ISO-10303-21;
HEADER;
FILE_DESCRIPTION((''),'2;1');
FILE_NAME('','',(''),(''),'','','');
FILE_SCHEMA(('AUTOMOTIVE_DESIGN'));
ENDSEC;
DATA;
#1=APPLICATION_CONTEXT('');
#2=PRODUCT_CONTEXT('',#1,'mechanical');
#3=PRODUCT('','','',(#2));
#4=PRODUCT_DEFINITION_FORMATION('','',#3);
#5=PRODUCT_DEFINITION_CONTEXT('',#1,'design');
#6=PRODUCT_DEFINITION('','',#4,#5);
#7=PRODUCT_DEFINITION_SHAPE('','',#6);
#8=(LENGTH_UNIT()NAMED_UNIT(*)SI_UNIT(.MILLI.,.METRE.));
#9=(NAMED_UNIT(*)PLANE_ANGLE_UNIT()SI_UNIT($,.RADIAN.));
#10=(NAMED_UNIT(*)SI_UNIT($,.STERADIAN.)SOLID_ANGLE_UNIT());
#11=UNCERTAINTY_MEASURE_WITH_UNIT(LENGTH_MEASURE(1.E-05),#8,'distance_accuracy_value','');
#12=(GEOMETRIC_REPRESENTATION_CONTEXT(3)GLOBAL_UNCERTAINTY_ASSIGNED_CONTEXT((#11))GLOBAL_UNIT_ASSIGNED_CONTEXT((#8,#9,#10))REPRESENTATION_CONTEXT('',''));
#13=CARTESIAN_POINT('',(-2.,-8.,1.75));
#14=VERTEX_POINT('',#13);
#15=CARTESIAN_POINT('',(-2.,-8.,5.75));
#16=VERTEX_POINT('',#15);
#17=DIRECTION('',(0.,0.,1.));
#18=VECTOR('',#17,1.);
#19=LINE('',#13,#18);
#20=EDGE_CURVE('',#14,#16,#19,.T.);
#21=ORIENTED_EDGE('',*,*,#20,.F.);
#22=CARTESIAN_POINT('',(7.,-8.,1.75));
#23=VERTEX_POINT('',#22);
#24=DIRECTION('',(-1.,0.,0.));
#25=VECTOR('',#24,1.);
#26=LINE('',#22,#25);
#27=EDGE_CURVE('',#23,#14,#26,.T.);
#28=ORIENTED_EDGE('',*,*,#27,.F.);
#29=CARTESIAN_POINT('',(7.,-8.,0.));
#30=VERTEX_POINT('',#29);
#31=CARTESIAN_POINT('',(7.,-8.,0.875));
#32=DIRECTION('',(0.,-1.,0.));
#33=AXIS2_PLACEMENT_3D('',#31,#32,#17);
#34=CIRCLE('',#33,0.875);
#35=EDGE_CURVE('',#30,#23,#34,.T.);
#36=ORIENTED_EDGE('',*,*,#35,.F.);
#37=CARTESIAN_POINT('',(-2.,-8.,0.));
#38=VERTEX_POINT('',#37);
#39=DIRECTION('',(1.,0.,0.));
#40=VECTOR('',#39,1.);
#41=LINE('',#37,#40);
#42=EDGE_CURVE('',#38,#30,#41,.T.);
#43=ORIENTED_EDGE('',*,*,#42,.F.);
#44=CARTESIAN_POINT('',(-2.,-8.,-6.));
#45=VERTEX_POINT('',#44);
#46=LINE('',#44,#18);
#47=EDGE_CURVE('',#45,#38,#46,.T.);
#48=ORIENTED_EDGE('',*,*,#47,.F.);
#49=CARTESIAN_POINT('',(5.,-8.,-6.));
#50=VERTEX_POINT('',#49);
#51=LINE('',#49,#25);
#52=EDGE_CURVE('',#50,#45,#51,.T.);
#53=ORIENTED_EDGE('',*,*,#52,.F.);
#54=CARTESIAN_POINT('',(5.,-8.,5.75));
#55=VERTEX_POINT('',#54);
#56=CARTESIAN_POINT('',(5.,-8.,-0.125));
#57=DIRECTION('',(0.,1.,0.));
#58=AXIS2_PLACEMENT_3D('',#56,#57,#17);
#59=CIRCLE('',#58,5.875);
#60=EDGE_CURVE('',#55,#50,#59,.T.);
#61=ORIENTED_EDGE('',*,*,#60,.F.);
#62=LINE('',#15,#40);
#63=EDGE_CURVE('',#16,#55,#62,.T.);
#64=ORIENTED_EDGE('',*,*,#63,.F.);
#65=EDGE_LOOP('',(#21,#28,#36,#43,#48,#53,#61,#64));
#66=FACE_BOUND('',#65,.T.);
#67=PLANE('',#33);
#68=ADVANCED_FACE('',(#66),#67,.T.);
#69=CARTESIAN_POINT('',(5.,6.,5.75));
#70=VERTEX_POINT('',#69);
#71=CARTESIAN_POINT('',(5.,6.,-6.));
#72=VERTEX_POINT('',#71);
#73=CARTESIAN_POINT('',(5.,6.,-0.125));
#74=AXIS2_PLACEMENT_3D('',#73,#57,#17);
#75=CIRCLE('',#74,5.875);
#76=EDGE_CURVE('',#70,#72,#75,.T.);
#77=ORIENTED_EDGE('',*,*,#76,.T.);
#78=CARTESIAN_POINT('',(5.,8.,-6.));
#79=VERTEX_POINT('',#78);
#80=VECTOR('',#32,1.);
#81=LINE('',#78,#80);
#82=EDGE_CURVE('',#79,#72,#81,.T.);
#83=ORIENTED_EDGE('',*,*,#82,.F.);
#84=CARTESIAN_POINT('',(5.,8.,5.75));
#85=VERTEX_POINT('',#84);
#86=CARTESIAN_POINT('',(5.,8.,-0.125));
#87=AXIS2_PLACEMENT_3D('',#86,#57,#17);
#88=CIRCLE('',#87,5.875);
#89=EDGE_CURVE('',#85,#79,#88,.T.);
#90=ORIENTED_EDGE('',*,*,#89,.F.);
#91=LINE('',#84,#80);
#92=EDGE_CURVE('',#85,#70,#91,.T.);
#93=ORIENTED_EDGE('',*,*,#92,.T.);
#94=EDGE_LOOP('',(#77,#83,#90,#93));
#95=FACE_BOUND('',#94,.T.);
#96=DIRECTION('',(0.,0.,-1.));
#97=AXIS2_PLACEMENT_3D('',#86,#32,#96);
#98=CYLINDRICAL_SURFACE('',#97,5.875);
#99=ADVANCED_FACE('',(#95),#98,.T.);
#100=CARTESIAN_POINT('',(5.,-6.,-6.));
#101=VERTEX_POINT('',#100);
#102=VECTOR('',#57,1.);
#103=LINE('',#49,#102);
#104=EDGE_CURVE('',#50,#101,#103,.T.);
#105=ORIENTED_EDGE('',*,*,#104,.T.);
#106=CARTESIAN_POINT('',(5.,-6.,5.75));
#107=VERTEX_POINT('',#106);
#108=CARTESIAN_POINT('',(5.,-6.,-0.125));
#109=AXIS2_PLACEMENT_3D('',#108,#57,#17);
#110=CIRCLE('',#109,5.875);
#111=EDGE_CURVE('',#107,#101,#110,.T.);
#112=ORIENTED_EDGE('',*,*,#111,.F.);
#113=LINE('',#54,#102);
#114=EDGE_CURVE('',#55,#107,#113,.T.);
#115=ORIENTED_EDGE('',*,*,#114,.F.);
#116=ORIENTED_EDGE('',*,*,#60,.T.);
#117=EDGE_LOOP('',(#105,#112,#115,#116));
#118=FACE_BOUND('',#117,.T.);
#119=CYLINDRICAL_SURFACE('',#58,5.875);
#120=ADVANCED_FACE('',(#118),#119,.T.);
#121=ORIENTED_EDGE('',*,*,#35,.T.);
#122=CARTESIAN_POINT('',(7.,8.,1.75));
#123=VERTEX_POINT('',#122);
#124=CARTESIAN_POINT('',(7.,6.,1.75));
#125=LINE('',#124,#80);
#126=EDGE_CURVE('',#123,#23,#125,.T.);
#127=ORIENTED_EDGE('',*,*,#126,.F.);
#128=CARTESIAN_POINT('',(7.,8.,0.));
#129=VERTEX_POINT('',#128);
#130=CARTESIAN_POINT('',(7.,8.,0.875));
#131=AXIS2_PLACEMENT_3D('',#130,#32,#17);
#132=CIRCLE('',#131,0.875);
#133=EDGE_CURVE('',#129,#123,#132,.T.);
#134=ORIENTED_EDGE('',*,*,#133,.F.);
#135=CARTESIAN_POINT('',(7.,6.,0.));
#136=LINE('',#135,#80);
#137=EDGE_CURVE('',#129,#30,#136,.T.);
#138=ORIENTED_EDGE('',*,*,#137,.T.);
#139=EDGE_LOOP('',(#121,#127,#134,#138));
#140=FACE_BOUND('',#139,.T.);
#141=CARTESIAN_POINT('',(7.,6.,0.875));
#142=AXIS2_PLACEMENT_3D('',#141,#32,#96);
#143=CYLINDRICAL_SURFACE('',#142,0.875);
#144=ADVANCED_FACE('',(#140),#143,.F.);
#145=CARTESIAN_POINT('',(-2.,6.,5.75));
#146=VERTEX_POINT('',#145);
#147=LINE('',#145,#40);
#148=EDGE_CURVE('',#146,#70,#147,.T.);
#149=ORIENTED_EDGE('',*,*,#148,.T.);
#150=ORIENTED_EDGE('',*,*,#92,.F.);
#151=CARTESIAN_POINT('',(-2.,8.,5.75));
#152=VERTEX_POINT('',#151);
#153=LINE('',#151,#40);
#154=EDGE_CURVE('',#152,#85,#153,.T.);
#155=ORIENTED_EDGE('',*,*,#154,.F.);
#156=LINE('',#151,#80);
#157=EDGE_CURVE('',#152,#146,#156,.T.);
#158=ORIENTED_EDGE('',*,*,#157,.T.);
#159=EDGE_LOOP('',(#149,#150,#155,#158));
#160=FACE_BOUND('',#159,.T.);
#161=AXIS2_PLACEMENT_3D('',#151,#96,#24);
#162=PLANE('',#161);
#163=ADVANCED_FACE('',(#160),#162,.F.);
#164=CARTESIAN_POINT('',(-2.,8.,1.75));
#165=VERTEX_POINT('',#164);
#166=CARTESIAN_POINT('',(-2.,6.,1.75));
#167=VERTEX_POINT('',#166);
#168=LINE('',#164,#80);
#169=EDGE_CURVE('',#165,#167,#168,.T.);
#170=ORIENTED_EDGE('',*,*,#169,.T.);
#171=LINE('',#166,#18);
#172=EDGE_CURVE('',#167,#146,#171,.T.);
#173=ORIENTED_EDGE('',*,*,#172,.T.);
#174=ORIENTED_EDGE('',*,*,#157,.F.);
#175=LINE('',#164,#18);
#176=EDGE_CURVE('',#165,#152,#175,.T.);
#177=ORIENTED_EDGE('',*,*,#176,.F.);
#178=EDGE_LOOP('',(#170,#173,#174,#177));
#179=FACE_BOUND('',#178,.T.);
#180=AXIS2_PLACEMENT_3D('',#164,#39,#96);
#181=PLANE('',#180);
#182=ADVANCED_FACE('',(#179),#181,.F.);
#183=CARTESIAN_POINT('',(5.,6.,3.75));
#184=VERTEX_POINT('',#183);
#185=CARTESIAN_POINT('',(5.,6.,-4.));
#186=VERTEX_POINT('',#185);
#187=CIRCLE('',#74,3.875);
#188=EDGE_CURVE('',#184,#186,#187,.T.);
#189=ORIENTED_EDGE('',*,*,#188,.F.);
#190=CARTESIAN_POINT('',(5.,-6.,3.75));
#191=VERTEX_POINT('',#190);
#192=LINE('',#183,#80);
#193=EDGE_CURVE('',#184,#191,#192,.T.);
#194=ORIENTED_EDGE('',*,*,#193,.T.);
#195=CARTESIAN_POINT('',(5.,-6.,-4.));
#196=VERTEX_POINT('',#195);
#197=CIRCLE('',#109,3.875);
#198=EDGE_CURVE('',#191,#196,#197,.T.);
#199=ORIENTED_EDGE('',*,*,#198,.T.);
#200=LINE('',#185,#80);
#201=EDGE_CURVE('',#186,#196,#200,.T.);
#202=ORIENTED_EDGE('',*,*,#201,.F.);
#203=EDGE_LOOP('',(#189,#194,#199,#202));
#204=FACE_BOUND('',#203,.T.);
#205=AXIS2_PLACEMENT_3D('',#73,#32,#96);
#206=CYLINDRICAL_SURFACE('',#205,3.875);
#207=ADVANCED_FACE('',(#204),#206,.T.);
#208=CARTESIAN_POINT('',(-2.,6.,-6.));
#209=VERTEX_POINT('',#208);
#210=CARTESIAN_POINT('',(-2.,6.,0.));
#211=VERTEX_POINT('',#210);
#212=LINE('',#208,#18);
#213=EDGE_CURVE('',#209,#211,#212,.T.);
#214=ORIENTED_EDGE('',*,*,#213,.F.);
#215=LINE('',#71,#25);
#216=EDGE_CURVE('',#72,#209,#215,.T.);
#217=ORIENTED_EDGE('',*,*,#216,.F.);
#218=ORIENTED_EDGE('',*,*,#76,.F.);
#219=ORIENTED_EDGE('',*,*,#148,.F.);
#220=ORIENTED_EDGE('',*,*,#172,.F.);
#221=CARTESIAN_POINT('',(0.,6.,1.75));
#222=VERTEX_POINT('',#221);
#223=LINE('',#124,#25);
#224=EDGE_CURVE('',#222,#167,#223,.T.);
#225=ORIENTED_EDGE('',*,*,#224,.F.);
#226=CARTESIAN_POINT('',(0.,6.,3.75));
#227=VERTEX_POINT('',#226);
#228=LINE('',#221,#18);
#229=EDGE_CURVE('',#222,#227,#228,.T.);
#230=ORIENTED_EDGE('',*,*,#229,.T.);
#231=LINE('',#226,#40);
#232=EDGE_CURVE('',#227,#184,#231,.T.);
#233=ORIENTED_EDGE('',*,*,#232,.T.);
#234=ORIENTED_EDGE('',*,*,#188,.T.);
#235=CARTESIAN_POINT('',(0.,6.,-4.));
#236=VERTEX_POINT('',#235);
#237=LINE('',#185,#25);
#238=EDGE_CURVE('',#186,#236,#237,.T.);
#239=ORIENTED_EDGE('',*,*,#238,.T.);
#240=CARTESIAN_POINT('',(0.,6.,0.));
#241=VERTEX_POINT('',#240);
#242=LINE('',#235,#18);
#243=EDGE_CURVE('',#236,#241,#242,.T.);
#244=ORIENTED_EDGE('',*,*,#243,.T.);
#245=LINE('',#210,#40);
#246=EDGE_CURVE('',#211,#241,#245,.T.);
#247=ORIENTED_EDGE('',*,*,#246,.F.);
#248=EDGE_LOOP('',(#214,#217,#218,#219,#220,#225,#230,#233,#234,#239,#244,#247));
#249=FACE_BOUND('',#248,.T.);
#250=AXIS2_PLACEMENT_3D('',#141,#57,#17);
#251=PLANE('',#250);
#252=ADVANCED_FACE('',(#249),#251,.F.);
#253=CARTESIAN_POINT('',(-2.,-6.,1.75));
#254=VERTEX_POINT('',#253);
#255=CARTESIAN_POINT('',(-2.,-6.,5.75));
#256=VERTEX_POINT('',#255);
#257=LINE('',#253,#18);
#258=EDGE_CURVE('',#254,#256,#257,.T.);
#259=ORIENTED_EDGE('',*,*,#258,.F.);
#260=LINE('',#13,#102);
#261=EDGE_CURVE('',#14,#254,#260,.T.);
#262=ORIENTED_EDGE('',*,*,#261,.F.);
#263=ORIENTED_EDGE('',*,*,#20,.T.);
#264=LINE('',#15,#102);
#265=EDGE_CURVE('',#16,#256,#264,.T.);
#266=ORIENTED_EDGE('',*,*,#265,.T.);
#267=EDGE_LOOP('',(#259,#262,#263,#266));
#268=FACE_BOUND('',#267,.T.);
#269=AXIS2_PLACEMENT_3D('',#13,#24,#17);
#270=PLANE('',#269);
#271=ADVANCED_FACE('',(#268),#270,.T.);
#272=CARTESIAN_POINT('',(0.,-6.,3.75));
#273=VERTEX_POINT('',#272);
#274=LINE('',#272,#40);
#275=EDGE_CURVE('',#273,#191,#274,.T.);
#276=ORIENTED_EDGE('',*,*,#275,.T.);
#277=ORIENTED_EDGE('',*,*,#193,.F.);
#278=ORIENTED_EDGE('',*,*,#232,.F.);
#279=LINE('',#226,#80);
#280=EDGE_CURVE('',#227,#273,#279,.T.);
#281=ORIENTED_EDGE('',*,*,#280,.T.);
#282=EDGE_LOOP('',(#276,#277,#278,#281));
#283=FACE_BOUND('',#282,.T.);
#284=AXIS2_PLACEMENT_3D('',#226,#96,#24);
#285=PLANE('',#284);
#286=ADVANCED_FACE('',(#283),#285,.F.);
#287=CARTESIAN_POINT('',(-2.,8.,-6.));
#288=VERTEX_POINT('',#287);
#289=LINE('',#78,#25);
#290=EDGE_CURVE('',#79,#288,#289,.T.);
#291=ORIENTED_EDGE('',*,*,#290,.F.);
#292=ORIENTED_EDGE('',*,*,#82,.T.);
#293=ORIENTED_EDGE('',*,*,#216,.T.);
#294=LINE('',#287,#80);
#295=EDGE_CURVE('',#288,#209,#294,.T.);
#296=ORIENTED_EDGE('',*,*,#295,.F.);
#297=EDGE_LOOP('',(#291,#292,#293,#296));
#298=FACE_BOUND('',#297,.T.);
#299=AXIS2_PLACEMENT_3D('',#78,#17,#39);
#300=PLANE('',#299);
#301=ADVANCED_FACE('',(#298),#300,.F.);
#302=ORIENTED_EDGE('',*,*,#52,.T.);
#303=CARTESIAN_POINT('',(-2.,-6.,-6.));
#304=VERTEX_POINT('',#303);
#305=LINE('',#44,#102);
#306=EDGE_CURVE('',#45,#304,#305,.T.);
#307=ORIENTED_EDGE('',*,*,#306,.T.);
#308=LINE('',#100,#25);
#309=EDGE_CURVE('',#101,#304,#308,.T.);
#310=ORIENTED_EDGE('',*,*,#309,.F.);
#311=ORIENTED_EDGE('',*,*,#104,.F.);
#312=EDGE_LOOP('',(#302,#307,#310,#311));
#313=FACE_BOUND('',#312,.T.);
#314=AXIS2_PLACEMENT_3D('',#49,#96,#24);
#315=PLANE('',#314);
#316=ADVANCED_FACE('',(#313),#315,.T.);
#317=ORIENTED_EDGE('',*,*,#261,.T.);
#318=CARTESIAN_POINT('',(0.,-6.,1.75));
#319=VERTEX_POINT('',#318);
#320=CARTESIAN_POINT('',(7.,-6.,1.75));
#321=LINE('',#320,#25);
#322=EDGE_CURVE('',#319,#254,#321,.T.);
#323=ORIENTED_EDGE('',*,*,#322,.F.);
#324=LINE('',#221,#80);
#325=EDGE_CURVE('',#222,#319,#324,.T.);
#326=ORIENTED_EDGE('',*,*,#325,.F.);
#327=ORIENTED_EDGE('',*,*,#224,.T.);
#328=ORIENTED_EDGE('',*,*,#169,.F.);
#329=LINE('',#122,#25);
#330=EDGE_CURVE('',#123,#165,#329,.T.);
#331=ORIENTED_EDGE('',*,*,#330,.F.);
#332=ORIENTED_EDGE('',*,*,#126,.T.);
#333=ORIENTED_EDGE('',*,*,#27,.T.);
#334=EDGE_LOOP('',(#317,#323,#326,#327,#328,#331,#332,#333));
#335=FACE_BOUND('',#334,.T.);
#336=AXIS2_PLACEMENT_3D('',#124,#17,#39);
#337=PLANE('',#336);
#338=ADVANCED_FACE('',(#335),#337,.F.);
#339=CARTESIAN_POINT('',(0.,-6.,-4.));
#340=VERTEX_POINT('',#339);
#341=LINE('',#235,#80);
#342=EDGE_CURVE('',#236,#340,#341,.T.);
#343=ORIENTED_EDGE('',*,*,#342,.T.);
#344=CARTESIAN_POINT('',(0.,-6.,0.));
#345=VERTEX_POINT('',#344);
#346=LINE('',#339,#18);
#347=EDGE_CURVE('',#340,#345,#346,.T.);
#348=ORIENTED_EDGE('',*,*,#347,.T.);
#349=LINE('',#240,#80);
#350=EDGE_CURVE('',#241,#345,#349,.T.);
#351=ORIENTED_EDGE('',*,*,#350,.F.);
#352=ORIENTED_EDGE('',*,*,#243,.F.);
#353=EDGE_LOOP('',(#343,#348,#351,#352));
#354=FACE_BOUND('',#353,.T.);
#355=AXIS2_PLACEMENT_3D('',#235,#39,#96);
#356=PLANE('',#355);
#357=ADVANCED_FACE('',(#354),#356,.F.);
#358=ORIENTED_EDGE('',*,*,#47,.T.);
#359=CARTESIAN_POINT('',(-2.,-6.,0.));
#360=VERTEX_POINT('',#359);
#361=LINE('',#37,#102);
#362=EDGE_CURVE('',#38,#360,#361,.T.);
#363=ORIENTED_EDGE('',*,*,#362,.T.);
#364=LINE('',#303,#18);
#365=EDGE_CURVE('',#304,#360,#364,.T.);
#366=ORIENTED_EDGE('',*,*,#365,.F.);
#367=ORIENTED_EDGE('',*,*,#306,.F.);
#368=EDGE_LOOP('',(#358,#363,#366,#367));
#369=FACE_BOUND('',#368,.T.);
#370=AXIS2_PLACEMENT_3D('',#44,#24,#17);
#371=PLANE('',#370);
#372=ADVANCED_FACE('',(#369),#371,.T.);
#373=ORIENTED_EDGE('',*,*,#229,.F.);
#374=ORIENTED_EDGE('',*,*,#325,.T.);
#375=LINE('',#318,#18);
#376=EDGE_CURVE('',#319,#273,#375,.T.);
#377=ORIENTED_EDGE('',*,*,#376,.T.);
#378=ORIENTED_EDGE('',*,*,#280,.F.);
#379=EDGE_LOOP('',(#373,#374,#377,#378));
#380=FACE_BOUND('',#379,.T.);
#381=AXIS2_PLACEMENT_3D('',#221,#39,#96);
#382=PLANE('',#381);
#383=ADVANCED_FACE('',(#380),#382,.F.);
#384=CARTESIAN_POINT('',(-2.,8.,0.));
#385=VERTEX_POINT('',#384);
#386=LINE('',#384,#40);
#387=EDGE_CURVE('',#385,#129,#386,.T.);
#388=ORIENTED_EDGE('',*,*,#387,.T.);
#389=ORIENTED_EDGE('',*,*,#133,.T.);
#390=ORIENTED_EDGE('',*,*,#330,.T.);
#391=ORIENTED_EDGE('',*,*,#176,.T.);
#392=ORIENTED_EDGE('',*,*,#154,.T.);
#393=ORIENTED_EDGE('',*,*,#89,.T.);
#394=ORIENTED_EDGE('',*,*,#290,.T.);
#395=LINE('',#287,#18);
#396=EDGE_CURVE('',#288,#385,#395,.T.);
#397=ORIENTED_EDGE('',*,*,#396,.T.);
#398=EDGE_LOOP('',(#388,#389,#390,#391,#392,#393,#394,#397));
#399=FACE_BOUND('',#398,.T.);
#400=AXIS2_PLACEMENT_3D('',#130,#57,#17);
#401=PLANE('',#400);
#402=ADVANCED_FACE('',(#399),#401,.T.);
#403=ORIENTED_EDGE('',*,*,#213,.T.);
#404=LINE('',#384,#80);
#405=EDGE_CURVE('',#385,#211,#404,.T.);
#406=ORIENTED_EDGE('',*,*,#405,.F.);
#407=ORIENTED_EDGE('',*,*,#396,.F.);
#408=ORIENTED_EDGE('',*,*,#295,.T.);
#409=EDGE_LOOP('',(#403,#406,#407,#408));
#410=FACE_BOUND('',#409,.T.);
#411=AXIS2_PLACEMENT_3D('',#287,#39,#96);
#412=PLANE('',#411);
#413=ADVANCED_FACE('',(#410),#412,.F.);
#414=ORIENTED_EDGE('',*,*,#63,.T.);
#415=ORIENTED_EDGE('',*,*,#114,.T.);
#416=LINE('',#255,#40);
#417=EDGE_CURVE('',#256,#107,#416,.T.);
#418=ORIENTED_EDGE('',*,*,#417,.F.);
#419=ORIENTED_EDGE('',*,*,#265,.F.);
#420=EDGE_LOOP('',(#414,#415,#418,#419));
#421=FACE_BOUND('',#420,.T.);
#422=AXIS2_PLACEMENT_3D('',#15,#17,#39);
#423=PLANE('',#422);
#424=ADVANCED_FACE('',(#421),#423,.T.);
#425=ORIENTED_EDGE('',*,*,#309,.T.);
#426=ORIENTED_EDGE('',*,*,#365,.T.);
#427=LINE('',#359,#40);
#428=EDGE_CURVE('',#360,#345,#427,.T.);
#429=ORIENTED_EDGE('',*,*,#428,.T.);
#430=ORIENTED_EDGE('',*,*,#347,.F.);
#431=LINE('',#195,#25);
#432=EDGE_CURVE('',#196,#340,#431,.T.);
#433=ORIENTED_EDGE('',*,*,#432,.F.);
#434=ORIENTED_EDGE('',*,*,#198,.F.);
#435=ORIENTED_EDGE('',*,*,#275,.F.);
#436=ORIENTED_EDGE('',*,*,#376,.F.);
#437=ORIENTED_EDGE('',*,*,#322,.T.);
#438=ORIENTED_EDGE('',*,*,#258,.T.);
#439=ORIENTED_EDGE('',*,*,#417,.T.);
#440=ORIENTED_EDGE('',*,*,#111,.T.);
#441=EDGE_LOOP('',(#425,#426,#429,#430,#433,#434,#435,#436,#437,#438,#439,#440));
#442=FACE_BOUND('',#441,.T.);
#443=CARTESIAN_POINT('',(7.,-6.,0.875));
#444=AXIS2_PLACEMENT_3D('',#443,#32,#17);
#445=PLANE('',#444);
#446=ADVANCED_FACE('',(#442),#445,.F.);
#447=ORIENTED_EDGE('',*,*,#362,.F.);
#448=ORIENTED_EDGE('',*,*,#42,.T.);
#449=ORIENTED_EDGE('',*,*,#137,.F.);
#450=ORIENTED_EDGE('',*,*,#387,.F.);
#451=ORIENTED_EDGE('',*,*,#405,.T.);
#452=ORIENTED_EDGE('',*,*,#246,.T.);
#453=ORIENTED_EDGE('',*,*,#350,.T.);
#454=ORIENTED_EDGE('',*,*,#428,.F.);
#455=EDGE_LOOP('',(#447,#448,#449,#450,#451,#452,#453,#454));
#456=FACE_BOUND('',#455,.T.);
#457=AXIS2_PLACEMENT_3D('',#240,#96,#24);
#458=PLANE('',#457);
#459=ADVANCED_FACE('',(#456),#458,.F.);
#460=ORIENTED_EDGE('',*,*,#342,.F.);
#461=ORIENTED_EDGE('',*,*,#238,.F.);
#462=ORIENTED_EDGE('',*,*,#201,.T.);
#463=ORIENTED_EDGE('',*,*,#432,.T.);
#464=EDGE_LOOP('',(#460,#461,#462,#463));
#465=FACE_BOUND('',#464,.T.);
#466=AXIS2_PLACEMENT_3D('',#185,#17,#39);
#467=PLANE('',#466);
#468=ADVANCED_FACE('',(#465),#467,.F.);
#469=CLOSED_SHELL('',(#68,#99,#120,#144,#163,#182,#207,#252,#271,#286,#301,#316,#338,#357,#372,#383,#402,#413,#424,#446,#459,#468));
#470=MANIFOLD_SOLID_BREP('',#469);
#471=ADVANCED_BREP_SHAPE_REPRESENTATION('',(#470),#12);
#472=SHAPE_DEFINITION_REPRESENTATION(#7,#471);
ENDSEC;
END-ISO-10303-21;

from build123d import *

# Parameters (mm, degrees)
BOSS_EXTRUDE1_DEPTH = 6
BOSS_EXTRUDE2_START = 2
BOSS_EXTRUDE2_DEPTH = 2


with BuildPart() as part:
    # Sketch1 → Boss-Extrude1 (new, symmetric)
    with BuildSketch(Plane(origin=(0, 0, 0), x_dir=(1, 0, 0), z_dir=(0, 1, 0))):
        with BuildLine():
            Line((0, 0), (7, 0))
            ThreePointArc((7, 0), (7.875, -0.875), (7, -1.75))
            Line((7, -1.75), (0, -1.75))
            Line((0, -1.75), (0, -3.75))
            Line((0, -3.75), (5, -3.75))
            ThreePointArc((5, -3.75), (8.875, 0.125), (5, 4))
            Line((5, 4), (0, 4))
            Line((0, 4), (0, 0))
        make_face()
    extrude(amount=BOSS_EXTRUDE1_DEPTH, both=True)

    # Sketch2 → Boss-Extrude2 (add)
    with BuildSketch(Plane(origin=(0, 6, 0), x_dir=(1, 0, 0), z_dir=(0, 1, 0)).offset(BOSS_EXTRUDE2_START)):
        with BuildLine():
            Line((5, 6), (-2, 6))
            Line((-2, 6), (-2, 0))
            Line((-2, 0), (7, 0))
            ThreePointArc((7, 0), (7.875, -0.875), (7, -1.75))
            Line((7, -1.75), (-2, -1.75))
            Line((-2, -1.75), (-2, -5.75))
            Line((-2, -5.75), (5, -5.75))
            ThreePointArc((5, -5.75), (10.875, 0.125), (5, 6))
        make_face()
    boss_extrude2 = extrude(amount=-BOSS_EXTRUDE2_DEPTH)

    # Mirror1: Boss-Extrude2 across plane
    add(boss_extrude2.mirror(Plane.ZX))


solid = part.part
